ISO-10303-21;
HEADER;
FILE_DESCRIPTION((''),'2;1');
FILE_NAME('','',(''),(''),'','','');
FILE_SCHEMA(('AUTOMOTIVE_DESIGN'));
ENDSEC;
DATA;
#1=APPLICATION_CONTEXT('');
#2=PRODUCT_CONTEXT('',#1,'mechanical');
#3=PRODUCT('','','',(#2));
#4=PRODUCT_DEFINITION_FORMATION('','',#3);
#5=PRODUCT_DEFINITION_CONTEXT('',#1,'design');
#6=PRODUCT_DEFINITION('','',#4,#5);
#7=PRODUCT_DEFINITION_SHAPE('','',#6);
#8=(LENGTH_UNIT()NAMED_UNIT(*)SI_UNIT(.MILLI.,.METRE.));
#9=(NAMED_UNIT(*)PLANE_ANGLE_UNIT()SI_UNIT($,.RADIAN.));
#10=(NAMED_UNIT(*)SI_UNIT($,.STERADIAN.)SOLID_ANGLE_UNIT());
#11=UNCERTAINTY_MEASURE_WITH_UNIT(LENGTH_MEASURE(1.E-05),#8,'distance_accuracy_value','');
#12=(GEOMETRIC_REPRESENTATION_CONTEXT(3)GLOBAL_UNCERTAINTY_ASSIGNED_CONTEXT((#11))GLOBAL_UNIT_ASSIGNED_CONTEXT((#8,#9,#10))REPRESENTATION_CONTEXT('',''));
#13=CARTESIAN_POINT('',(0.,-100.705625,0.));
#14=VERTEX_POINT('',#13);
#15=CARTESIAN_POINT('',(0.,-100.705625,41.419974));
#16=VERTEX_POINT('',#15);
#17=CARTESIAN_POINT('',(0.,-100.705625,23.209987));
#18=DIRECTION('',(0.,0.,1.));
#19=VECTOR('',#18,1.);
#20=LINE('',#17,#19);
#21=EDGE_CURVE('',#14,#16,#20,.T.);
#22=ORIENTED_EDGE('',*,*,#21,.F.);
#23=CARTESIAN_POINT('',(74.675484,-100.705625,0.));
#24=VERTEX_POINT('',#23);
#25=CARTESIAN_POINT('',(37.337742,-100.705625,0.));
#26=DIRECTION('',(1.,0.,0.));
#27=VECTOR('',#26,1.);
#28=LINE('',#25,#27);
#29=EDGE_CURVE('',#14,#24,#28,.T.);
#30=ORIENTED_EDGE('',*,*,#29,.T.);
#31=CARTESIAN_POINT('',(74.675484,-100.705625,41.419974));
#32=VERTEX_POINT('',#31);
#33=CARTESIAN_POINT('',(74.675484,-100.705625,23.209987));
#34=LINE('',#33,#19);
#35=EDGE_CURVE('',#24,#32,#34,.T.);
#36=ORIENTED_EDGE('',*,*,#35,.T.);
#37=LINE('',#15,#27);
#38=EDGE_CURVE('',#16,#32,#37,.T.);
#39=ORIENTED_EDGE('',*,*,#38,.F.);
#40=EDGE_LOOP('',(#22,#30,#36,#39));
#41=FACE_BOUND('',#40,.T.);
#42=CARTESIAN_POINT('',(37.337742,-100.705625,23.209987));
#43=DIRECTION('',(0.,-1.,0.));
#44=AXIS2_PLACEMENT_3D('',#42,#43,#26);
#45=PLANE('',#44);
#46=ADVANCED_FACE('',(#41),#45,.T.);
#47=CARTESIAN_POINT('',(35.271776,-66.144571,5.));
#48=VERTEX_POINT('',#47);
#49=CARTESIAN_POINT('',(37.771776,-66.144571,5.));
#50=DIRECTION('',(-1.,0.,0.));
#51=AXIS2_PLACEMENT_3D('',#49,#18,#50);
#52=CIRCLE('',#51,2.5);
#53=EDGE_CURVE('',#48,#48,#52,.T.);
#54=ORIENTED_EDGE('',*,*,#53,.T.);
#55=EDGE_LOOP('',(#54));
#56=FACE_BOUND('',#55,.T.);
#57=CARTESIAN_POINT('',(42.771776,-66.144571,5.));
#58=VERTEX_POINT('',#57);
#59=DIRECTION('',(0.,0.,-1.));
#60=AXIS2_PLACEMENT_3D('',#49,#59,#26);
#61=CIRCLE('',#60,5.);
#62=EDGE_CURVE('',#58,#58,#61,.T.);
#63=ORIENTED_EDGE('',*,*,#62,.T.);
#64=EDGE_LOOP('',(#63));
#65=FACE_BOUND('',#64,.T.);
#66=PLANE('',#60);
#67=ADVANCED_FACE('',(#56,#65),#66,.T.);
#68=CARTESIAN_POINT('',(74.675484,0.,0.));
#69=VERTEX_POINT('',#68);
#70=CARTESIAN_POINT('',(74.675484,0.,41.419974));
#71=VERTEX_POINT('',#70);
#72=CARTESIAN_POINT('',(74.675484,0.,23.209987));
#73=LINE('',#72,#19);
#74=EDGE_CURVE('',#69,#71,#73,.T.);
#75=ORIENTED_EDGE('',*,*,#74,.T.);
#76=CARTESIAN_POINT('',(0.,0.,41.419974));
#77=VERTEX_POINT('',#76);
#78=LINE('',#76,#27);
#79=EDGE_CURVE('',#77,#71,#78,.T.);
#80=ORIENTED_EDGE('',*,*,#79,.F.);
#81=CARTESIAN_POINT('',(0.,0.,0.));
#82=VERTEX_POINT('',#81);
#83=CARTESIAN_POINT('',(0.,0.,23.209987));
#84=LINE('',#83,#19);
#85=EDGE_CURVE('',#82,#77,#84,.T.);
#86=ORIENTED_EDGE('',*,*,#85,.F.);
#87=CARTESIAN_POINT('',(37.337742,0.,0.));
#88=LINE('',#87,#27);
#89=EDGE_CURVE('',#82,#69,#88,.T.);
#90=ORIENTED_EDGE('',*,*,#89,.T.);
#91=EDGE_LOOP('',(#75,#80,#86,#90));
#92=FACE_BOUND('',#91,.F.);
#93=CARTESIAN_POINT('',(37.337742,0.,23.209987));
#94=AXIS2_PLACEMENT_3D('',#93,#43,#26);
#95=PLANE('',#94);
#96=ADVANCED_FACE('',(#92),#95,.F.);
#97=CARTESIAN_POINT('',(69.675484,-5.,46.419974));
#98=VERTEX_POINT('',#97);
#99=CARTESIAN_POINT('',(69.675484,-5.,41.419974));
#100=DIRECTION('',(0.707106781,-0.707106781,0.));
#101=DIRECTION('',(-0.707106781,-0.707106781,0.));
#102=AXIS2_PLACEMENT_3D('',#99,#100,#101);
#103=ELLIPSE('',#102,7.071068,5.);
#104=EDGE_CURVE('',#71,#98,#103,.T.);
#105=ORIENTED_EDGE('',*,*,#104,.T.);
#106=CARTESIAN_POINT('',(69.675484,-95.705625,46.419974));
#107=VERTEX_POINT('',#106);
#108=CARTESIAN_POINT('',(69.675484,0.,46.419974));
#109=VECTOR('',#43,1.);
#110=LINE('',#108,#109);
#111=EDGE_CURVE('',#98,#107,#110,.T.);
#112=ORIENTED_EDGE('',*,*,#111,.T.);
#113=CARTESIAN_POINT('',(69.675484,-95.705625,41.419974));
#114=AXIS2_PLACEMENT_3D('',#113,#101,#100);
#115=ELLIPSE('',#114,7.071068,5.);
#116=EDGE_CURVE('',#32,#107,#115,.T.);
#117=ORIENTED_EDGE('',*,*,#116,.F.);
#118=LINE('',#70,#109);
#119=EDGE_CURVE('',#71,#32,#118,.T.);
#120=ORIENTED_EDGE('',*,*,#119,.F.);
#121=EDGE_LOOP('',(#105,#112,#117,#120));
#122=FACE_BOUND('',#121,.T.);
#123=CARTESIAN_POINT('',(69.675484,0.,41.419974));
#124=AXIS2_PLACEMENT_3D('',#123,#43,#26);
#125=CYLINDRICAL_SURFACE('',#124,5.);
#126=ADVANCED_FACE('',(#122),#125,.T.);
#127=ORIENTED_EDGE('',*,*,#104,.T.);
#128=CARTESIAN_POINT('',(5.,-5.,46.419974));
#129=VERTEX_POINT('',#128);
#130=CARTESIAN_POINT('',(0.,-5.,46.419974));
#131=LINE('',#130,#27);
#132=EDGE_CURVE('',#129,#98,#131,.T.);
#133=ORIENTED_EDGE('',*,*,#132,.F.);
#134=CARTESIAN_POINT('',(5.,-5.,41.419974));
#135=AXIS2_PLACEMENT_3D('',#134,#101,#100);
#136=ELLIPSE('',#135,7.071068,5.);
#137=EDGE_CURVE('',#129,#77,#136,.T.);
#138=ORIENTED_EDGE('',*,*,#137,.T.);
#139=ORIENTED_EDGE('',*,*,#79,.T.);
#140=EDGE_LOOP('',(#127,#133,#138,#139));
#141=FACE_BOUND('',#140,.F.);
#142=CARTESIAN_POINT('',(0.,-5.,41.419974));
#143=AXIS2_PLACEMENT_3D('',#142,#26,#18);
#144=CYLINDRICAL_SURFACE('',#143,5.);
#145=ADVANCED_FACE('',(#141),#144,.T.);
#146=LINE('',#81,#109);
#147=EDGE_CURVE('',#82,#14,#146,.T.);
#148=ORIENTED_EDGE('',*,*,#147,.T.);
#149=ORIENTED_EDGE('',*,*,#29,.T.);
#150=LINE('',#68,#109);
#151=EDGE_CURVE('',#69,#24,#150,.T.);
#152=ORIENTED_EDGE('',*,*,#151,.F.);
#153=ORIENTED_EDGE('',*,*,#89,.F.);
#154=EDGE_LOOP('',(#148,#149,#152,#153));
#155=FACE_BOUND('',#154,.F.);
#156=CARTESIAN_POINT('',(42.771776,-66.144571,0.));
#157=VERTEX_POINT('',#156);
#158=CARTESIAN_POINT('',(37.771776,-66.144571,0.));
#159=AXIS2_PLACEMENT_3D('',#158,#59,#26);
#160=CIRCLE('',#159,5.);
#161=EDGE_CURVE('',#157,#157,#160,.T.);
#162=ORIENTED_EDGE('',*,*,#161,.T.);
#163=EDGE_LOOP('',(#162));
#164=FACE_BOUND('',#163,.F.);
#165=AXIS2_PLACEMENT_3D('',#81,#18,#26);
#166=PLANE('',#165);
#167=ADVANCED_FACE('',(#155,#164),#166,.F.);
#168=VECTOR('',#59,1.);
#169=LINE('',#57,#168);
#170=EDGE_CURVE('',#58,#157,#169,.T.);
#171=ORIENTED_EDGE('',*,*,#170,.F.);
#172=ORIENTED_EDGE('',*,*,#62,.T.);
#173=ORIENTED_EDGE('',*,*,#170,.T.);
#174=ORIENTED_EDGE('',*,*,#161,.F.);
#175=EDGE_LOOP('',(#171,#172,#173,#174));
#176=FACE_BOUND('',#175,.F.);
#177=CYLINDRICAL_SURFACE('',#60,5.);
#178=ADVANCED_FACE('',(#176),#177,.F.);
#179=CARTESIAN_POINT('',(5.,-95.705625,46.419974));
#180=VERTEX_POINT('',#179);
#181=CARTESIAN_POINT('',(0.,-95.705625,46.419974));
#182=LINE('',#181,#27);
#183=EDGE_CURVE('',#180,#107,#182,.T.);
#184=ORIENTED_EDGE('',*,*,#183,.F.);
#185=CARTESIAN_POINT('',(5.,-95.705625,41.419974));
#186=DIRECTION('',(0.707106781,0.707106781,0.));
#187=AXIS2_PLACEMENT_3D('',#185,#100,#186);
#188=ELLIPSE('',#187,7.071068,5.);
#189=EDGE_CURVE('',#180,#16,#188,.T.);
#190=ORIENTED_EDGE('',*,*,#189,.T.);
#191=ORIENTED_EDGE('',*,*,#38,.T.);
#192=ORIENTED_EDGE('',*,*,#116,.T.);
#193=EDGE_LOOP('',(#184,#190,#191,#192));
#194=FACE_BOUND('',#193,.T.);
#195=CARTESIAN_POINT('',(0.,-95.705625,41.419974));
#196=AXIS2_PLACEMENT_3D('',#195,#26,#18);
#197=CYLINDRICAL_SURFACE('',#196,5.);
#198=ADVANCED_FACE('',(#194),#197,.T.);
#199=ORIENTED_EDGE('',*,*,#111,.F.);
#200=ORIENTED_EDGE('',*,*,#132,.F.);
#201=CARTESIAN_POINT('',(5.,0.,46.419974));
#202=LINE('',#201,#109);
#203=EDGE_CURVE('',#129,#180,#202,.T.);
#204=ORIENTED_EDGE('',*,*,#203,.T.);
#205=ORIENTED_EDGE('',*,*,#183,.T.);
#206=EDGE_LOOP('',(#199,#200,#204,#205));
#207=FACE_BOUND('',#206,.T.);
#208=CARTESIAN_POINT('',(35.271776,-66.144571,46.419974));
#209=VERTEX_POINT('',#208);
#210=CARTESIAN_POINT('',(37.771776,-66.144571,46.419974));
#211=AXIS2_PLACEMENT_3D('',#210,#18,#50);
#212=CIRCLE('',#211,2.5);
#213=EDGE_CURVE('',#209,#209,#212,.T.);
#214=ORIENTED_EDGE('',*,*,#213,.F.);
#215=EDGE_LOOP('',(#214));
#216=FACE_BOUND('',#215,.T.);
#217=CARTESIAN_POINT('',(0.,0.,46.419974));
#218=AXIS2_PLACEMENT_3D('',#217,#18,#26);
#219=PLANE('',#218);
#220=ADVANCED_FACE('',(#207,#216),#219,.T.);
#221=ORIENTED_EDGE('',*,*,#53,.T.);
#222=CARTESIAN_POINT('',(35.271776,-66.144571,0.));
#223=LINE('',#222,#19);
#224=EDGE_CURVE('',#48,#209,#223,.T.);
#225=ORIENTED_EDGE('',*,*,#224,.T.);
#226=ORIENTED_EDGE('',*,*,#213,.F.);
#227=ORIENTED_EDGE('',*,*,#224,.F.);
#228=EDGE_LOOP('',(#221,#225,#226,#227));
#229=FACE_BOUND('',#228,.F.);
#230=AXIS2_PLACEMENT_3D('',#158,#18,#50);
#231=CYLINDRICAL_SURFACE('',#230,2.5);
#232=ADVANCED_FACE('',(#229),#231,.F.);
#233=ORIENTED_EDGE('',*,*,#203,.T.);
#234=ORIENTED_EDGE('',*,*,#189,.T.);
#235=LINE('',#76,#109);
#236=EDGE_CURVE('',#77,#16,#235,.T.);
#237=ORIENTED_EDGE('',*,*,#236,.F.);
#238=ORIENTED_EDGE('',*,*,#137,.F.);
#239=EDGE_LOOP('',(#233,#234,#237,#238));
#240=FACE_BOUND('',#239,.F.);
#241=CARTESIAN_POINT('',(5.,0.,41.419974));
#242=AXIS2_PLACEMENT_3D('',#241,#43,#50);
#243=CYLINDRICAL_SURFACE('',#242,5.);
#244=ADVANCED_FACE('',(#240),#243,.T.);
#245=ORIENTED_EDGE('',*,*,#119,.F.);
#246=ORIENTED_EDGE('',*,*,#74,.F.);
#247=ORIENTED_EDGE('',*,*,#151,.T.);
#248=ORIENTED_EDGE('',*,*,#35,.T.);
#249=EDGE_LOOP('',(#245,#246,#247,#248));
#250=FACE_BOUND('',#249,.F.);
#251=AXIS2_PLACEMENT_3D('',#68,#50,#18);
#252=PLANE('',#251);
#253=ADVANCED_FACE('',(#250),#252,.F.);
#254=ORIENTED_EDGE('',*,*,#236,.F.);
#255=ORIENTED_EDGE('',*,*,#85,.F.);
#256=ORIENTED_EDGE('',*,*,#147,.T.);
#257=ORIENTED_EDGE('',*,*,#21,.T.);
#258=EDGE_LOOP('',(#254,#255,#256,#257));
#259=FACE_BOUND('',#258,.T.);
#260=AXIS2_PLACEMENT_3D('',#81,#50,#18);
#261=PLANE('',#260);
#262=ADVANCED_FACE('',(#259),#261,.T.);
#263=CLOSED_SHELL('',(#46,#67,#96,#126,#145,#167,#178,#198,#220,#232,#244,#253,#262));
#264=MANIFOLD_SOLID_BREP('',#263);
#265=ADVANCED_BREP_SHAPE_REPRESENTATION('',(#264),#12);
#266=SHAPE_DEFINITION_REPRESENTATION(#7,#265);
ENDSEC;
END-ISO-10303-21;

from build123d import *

# Parameters (mm, degrees)
F3_W           = 74.675485
F3_H           = 46.419974
F0_DEPTH       = 100.705625
F1_R           = 5
F2_D           = 5
F2_CBORE_D     = 10
F2_CBORE_DEPTH = 5


with BuildPart() as f0:
    # F3 (on Front) → F0 (new body)
    with BuildSketch(Plane.XZ):
        with Locations((37.337742, 23.209987)):
            Rectangle(F3_W, F3_H)
    extrude(amount=F0_DEPTH)

    # F1
    f1_edges = [f0.edges().sort_by_distance(p)[0] for p in [
        (74.675485, -50.352813, 46.419974),
        (37.337743, -100.705625, 46.419974),
        (37.337743, 0, 46.419974),
        (0, -50.352813, 46.419974),
    ]]
    fillet(f1_edges, radius=F1_R)

    # F2 (through all)
    with Locations(Plane(origin=(0, 0, 0), x_dir=(1, 0, 0), z_dir=(0, 0, -1))):
        with Locations((37.771776, 66.144571)):
            CounterBoreHole(F2_D / 2, F2_CBORE_D / 2, F2_CBORE_DEPTH)


solid = f0.part
